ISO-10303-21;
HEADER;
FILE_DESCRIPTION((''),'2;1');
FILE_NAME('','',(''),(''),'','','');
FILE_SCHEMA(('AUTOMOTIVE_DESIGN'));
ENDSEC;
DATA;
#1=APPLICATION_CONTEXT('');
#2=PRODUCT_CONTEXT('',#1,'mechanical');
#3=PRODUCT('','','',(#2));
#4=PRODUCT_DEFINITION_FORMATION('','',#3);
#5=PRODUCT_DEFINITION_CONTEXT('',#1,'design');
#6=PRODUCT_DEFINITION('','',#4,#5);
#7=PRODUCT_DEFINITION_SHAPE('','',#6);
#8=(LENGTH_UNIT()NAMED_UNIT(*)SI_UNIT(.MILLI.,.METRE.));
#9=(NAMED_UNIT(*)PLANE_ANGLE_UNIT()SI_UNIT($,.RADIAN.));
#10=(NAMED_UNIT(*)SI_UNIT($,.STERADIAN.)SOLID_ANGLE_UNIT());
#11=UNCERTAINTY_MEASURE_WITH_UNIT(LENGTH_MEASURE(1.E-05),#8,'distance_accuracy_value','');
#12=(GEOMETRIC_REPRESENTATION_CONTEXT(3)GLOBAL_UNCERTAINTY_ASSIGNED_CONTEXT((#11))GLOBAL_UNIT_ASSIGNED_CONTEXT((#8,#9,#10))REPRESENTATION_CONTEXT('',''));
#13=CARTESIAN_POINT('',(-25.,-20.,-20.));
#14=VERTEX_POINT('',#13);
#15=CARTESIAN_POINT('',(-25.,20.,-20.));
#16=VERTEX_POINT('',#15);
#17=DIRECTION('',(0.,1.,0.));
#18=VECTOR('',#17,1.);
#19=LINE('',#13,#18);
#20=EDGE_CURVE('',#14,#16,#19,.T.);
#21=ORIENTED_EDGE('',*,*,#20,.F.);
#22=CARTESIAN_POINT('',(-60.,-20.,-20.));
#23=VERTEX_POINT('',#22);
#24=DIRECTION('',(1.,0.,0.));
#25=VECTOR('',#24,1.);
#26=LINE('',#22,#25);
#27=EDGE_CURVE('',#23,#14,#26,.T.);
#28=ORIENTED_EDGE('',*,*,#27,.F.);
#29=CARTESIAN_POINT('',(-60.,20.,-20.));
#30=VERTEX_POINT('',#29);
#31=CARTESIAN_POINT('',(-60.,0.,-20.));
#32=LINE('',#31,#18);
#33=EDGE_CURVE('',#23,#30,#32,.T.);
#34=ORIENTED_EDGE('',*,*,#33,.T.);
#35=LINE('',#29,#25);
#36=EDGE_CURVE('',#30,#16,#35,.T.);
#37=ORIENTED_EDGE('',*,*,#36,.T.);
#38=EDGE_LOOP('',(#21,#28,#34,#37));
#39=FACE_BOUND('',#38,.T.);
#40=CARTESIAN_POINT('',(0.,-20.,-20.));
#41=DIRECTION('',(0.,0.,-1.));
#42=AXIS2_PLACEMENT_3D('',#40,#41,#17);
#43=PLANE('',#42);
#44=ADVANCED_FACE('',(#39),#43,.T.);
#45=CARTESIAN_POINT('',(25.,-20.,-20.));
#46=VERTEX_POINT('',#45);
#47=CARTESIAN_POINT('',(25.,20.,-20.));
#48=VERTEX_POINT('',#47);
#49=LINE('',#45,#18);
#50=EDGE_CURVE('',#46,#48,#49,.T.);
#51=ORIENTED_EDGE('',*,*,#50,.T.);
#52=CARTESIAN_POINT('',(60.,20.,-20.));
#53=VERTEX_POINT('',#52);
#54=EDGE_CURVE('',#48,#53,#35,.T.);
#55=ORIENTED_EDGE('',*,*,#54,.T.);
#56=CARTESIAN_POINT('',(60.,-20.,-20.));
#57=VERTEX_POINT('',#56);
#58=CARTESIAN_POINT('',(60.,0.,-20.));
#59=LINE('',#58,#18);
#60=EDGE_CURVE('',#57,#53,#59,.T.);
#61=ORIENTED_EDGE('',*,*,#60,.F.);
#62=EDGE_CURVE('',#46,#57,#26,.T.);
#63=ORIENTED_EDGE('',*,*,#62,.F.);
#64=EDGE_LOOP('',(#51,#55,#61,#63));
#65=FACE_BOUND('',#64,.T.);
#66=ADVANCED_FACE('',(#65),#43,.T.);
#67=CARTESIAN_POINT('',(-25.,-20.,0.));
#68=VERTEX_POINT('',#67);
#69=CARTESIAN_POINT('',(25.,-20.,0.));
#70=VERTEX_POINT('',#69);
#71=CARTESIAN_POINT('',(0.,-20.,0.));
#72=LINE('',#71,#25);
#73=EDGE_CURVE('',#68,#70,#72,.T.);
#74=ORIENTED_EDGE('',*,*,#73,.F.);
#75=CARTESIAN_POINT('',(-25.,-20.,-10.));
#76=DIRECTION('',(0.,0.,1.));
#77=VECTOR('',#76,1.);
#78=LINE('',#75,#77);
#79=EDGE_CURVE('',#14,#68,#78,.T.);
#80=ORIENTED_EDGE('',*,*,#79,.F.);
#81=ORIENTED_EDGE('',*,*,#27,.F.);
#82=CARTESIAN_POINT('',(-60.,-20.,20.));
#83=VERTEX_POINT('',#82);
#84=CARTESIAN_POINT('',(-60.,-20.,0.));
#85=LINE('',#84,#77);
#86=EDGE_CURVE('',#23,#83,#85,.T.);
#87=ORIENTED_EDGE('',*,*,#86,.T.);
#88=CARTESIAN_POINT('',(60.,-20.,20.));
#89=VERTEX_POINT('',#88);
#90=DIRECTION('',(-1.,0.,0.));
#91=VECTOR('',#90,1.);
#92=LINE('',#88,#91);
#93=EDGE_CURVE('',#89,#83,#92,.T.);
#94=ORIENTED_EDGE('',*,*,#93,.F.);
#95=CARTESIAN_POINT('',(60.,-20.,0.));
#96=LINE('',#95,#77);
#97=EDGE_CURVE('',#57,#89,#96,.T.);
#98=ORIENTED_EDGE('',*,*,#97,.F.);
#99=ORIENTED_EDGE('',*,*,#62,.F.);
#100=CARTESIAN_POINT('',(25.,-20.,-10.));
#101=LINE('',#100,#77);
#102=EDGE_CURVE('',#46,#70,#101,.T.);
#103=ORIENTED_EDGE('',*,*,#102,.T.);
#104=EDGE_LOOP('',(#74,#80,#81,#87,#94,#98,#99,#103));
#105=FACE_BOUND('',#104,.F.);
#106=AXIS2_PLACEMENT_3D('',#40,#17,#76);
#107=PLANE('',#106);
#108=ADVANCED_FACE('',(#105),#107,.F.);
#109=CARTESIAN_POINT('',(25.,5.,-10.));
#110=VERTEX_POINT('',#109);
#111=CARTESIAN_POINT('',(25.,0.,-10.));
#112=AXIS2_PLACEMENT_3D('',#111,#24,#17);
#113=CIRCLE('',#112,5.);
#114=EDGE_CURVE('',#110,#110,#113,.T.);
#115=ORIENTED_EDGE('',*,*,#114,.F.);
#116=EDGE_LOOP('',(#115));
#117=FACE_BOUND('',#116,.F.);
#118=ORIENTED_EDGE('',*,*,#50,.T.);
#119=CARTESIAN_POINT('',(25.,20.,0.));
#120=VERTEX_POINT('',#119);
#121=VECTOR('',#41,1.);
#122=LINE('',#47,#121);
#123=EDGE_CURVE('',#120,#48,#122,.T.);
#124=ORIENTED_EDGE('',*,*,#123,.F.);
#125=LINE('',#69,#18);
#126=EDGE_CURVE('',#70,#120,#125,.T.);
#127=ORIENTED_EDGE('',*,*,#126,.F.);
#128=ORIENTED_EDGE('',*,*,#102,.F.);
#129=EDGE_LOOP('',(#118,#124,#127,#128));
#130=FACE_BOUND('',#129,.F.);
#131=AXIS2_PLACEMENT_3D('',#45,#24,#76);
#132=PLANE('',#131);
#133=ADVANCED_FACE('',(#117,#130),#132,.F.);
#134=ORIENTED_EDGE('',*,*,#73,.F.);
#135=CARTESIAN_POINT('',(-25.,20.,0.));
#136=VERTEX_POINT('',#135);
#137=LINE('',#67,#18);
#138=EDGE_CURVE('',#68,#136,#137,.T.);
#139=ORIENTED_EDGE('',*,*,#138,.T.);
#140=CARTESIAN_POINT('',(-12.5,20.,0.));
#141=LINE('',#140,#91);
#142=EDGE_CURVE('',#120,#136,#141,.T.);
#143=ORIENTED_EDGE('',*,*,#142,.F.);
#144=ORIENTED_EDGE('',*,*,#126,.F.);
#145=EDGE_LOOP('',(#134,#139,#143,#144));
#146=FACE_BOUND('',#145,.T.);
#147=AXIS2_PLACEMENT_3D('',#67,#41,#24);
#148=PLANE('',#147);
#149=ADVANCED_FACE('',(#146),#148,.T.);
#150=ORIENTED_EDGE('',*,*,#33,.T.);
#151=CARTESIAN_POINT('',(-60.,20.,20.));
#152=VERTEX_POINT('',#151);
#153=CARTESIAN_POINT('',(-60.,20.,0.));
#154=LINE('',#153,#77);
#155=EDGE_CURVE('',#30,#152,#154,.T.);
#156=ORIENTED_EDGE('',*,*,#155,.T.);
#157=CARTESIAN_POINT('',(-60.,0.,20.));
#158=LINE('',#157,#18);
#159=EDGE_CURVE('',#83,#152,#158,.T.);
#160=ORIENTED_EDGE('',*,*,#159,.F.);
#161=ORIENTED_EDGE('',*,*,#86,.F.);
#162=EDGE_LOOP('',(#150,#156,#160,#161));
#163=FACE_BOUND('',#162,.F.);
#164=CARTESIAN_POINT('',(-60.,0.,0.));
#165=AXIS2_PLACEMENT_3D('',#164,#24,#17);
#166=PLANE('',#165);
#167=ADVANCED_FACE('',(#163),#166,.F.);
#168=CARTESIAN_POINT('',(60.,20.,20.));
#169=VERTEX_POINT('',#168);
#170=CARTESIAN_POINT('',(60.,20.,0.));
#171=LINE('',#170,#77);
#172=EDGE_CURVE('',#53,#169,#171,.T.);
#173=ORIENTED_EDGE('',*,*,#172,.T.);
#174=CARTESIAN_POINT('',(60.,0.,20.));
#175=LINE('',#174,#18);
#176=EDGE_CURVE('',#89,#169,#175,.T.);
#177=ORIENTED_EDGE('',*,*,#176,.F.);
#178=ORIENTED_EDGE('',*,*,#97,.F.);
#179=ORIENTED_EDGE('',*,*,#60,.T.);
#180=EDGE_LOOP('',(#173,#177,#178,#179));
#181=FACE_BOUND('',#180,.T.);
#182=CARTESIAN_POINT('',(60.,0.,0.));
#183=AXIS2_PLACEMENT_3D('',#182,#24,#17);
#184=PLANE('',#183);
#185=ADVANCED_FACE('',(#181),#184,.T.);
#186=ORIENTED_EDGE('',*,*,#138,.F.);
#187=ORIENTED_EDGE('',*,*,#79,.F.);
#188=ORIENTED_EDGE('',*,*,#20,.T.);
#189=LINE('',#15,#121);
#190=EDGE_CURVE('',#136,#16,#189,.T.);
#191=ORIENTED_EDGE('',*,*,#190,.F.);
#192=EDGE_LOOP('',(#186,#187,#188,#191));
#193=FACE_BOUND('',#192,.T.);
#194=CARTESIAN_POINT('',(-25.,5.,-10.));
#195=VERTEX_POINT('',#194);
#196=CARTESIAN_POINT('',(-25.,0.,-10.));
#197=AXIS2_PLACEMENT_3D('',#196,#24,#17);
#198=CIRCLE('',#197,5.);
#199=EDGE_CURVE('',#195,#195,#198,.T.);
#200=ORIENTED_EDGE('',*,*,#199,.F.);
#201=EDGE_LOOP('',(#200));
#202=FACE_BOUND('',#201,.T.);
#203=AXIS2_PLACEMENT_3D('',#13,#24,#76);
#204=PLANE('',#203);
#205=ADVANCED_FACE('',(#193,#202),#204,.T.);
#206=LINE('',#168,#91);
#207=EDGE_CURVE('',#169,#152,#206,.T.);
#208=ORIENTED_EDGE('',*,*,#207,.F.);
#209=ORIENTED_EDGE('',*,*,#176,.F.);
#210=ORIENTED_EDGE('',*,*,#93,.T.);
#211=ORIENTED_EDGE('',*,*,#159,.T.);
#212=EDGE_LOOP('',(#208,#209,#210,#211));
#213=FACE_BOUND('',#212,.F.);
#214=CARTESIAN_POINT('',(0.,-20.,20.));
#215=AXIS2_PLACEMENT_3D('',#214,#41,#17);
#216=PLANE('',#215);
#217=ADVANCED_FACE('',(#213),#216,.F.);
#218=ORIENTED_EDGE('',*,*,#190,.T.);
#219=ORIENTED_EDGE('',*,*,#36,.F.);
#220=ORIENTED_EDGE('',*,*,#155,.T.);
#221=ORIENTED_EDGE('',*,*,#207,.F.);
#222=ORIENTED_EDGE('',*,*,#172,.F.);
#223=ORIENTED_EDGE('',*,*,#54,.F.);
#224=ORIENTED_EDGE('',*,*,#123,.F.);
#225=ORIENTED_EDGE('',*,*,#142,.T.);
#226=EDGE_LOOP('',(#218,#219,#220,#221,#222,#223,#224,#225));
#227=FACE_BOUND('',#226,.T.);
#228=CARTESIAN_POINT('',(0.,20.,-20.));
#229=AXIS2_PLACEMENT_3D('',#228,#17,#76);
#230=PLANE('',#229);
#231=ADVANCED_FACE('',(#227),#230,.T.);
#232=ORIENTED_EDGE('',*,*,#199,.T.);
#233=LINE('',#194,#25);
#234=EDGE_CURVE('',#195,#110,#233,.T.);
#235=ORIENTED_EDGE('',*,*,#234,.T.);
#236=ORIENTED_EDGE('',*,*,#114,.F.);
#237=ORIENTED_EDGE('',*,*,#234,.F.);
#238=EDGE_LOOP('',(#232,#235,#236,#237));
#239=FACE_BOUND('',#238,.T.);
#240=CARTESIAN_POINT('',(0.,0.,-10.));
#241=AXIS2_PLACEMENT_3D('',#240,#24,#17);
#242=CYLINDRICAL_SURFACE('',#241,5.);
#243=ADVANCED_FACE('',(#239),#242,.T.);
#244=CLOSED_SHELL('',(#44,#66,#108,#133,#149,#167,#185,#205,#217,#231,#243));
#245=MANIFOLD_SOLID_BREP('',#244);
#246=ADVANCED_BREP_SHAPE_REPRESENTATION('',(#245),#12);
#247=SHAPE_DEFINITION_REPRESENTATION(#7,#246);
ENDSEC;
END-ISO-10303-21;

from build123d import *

# Parameters (mm, degrees)
F0_W     = 40
F0_H     = 40
F1_DEPTH = 60
F2_W     = 50
F2_H     = 20
F3_DEPTH = 40.001
F4_R     = 5
F5_DEPTH = 25


with BuildPart() as f1:
    # F0 (on Right) → F1 (new body, symmetric)
    with BuildSketch(Plane.YZ):
        Rectangle(F0_W, F0_H)
    extrude(amount=F1_DEPTH, both=True)

    # F2 (on face) → F3 (cut, through all)
    with BuildSketch(Plane.XZ.offset(20)):
        with Locations((0, -10)):
            Rectangle(F2_W, F2_H)
    extrude(amount=-F3_DEPTH, mode=Mode.SUBTRACT)

    # F4 (on Right) → F5 (join, symmetric)
    with BuildSketch(Plane.YZ):
        with Locations((0, -10)):
            Circle(F4_R)
    extrude(amount=F5_DEPTH, both=True)


solid = f1.part
